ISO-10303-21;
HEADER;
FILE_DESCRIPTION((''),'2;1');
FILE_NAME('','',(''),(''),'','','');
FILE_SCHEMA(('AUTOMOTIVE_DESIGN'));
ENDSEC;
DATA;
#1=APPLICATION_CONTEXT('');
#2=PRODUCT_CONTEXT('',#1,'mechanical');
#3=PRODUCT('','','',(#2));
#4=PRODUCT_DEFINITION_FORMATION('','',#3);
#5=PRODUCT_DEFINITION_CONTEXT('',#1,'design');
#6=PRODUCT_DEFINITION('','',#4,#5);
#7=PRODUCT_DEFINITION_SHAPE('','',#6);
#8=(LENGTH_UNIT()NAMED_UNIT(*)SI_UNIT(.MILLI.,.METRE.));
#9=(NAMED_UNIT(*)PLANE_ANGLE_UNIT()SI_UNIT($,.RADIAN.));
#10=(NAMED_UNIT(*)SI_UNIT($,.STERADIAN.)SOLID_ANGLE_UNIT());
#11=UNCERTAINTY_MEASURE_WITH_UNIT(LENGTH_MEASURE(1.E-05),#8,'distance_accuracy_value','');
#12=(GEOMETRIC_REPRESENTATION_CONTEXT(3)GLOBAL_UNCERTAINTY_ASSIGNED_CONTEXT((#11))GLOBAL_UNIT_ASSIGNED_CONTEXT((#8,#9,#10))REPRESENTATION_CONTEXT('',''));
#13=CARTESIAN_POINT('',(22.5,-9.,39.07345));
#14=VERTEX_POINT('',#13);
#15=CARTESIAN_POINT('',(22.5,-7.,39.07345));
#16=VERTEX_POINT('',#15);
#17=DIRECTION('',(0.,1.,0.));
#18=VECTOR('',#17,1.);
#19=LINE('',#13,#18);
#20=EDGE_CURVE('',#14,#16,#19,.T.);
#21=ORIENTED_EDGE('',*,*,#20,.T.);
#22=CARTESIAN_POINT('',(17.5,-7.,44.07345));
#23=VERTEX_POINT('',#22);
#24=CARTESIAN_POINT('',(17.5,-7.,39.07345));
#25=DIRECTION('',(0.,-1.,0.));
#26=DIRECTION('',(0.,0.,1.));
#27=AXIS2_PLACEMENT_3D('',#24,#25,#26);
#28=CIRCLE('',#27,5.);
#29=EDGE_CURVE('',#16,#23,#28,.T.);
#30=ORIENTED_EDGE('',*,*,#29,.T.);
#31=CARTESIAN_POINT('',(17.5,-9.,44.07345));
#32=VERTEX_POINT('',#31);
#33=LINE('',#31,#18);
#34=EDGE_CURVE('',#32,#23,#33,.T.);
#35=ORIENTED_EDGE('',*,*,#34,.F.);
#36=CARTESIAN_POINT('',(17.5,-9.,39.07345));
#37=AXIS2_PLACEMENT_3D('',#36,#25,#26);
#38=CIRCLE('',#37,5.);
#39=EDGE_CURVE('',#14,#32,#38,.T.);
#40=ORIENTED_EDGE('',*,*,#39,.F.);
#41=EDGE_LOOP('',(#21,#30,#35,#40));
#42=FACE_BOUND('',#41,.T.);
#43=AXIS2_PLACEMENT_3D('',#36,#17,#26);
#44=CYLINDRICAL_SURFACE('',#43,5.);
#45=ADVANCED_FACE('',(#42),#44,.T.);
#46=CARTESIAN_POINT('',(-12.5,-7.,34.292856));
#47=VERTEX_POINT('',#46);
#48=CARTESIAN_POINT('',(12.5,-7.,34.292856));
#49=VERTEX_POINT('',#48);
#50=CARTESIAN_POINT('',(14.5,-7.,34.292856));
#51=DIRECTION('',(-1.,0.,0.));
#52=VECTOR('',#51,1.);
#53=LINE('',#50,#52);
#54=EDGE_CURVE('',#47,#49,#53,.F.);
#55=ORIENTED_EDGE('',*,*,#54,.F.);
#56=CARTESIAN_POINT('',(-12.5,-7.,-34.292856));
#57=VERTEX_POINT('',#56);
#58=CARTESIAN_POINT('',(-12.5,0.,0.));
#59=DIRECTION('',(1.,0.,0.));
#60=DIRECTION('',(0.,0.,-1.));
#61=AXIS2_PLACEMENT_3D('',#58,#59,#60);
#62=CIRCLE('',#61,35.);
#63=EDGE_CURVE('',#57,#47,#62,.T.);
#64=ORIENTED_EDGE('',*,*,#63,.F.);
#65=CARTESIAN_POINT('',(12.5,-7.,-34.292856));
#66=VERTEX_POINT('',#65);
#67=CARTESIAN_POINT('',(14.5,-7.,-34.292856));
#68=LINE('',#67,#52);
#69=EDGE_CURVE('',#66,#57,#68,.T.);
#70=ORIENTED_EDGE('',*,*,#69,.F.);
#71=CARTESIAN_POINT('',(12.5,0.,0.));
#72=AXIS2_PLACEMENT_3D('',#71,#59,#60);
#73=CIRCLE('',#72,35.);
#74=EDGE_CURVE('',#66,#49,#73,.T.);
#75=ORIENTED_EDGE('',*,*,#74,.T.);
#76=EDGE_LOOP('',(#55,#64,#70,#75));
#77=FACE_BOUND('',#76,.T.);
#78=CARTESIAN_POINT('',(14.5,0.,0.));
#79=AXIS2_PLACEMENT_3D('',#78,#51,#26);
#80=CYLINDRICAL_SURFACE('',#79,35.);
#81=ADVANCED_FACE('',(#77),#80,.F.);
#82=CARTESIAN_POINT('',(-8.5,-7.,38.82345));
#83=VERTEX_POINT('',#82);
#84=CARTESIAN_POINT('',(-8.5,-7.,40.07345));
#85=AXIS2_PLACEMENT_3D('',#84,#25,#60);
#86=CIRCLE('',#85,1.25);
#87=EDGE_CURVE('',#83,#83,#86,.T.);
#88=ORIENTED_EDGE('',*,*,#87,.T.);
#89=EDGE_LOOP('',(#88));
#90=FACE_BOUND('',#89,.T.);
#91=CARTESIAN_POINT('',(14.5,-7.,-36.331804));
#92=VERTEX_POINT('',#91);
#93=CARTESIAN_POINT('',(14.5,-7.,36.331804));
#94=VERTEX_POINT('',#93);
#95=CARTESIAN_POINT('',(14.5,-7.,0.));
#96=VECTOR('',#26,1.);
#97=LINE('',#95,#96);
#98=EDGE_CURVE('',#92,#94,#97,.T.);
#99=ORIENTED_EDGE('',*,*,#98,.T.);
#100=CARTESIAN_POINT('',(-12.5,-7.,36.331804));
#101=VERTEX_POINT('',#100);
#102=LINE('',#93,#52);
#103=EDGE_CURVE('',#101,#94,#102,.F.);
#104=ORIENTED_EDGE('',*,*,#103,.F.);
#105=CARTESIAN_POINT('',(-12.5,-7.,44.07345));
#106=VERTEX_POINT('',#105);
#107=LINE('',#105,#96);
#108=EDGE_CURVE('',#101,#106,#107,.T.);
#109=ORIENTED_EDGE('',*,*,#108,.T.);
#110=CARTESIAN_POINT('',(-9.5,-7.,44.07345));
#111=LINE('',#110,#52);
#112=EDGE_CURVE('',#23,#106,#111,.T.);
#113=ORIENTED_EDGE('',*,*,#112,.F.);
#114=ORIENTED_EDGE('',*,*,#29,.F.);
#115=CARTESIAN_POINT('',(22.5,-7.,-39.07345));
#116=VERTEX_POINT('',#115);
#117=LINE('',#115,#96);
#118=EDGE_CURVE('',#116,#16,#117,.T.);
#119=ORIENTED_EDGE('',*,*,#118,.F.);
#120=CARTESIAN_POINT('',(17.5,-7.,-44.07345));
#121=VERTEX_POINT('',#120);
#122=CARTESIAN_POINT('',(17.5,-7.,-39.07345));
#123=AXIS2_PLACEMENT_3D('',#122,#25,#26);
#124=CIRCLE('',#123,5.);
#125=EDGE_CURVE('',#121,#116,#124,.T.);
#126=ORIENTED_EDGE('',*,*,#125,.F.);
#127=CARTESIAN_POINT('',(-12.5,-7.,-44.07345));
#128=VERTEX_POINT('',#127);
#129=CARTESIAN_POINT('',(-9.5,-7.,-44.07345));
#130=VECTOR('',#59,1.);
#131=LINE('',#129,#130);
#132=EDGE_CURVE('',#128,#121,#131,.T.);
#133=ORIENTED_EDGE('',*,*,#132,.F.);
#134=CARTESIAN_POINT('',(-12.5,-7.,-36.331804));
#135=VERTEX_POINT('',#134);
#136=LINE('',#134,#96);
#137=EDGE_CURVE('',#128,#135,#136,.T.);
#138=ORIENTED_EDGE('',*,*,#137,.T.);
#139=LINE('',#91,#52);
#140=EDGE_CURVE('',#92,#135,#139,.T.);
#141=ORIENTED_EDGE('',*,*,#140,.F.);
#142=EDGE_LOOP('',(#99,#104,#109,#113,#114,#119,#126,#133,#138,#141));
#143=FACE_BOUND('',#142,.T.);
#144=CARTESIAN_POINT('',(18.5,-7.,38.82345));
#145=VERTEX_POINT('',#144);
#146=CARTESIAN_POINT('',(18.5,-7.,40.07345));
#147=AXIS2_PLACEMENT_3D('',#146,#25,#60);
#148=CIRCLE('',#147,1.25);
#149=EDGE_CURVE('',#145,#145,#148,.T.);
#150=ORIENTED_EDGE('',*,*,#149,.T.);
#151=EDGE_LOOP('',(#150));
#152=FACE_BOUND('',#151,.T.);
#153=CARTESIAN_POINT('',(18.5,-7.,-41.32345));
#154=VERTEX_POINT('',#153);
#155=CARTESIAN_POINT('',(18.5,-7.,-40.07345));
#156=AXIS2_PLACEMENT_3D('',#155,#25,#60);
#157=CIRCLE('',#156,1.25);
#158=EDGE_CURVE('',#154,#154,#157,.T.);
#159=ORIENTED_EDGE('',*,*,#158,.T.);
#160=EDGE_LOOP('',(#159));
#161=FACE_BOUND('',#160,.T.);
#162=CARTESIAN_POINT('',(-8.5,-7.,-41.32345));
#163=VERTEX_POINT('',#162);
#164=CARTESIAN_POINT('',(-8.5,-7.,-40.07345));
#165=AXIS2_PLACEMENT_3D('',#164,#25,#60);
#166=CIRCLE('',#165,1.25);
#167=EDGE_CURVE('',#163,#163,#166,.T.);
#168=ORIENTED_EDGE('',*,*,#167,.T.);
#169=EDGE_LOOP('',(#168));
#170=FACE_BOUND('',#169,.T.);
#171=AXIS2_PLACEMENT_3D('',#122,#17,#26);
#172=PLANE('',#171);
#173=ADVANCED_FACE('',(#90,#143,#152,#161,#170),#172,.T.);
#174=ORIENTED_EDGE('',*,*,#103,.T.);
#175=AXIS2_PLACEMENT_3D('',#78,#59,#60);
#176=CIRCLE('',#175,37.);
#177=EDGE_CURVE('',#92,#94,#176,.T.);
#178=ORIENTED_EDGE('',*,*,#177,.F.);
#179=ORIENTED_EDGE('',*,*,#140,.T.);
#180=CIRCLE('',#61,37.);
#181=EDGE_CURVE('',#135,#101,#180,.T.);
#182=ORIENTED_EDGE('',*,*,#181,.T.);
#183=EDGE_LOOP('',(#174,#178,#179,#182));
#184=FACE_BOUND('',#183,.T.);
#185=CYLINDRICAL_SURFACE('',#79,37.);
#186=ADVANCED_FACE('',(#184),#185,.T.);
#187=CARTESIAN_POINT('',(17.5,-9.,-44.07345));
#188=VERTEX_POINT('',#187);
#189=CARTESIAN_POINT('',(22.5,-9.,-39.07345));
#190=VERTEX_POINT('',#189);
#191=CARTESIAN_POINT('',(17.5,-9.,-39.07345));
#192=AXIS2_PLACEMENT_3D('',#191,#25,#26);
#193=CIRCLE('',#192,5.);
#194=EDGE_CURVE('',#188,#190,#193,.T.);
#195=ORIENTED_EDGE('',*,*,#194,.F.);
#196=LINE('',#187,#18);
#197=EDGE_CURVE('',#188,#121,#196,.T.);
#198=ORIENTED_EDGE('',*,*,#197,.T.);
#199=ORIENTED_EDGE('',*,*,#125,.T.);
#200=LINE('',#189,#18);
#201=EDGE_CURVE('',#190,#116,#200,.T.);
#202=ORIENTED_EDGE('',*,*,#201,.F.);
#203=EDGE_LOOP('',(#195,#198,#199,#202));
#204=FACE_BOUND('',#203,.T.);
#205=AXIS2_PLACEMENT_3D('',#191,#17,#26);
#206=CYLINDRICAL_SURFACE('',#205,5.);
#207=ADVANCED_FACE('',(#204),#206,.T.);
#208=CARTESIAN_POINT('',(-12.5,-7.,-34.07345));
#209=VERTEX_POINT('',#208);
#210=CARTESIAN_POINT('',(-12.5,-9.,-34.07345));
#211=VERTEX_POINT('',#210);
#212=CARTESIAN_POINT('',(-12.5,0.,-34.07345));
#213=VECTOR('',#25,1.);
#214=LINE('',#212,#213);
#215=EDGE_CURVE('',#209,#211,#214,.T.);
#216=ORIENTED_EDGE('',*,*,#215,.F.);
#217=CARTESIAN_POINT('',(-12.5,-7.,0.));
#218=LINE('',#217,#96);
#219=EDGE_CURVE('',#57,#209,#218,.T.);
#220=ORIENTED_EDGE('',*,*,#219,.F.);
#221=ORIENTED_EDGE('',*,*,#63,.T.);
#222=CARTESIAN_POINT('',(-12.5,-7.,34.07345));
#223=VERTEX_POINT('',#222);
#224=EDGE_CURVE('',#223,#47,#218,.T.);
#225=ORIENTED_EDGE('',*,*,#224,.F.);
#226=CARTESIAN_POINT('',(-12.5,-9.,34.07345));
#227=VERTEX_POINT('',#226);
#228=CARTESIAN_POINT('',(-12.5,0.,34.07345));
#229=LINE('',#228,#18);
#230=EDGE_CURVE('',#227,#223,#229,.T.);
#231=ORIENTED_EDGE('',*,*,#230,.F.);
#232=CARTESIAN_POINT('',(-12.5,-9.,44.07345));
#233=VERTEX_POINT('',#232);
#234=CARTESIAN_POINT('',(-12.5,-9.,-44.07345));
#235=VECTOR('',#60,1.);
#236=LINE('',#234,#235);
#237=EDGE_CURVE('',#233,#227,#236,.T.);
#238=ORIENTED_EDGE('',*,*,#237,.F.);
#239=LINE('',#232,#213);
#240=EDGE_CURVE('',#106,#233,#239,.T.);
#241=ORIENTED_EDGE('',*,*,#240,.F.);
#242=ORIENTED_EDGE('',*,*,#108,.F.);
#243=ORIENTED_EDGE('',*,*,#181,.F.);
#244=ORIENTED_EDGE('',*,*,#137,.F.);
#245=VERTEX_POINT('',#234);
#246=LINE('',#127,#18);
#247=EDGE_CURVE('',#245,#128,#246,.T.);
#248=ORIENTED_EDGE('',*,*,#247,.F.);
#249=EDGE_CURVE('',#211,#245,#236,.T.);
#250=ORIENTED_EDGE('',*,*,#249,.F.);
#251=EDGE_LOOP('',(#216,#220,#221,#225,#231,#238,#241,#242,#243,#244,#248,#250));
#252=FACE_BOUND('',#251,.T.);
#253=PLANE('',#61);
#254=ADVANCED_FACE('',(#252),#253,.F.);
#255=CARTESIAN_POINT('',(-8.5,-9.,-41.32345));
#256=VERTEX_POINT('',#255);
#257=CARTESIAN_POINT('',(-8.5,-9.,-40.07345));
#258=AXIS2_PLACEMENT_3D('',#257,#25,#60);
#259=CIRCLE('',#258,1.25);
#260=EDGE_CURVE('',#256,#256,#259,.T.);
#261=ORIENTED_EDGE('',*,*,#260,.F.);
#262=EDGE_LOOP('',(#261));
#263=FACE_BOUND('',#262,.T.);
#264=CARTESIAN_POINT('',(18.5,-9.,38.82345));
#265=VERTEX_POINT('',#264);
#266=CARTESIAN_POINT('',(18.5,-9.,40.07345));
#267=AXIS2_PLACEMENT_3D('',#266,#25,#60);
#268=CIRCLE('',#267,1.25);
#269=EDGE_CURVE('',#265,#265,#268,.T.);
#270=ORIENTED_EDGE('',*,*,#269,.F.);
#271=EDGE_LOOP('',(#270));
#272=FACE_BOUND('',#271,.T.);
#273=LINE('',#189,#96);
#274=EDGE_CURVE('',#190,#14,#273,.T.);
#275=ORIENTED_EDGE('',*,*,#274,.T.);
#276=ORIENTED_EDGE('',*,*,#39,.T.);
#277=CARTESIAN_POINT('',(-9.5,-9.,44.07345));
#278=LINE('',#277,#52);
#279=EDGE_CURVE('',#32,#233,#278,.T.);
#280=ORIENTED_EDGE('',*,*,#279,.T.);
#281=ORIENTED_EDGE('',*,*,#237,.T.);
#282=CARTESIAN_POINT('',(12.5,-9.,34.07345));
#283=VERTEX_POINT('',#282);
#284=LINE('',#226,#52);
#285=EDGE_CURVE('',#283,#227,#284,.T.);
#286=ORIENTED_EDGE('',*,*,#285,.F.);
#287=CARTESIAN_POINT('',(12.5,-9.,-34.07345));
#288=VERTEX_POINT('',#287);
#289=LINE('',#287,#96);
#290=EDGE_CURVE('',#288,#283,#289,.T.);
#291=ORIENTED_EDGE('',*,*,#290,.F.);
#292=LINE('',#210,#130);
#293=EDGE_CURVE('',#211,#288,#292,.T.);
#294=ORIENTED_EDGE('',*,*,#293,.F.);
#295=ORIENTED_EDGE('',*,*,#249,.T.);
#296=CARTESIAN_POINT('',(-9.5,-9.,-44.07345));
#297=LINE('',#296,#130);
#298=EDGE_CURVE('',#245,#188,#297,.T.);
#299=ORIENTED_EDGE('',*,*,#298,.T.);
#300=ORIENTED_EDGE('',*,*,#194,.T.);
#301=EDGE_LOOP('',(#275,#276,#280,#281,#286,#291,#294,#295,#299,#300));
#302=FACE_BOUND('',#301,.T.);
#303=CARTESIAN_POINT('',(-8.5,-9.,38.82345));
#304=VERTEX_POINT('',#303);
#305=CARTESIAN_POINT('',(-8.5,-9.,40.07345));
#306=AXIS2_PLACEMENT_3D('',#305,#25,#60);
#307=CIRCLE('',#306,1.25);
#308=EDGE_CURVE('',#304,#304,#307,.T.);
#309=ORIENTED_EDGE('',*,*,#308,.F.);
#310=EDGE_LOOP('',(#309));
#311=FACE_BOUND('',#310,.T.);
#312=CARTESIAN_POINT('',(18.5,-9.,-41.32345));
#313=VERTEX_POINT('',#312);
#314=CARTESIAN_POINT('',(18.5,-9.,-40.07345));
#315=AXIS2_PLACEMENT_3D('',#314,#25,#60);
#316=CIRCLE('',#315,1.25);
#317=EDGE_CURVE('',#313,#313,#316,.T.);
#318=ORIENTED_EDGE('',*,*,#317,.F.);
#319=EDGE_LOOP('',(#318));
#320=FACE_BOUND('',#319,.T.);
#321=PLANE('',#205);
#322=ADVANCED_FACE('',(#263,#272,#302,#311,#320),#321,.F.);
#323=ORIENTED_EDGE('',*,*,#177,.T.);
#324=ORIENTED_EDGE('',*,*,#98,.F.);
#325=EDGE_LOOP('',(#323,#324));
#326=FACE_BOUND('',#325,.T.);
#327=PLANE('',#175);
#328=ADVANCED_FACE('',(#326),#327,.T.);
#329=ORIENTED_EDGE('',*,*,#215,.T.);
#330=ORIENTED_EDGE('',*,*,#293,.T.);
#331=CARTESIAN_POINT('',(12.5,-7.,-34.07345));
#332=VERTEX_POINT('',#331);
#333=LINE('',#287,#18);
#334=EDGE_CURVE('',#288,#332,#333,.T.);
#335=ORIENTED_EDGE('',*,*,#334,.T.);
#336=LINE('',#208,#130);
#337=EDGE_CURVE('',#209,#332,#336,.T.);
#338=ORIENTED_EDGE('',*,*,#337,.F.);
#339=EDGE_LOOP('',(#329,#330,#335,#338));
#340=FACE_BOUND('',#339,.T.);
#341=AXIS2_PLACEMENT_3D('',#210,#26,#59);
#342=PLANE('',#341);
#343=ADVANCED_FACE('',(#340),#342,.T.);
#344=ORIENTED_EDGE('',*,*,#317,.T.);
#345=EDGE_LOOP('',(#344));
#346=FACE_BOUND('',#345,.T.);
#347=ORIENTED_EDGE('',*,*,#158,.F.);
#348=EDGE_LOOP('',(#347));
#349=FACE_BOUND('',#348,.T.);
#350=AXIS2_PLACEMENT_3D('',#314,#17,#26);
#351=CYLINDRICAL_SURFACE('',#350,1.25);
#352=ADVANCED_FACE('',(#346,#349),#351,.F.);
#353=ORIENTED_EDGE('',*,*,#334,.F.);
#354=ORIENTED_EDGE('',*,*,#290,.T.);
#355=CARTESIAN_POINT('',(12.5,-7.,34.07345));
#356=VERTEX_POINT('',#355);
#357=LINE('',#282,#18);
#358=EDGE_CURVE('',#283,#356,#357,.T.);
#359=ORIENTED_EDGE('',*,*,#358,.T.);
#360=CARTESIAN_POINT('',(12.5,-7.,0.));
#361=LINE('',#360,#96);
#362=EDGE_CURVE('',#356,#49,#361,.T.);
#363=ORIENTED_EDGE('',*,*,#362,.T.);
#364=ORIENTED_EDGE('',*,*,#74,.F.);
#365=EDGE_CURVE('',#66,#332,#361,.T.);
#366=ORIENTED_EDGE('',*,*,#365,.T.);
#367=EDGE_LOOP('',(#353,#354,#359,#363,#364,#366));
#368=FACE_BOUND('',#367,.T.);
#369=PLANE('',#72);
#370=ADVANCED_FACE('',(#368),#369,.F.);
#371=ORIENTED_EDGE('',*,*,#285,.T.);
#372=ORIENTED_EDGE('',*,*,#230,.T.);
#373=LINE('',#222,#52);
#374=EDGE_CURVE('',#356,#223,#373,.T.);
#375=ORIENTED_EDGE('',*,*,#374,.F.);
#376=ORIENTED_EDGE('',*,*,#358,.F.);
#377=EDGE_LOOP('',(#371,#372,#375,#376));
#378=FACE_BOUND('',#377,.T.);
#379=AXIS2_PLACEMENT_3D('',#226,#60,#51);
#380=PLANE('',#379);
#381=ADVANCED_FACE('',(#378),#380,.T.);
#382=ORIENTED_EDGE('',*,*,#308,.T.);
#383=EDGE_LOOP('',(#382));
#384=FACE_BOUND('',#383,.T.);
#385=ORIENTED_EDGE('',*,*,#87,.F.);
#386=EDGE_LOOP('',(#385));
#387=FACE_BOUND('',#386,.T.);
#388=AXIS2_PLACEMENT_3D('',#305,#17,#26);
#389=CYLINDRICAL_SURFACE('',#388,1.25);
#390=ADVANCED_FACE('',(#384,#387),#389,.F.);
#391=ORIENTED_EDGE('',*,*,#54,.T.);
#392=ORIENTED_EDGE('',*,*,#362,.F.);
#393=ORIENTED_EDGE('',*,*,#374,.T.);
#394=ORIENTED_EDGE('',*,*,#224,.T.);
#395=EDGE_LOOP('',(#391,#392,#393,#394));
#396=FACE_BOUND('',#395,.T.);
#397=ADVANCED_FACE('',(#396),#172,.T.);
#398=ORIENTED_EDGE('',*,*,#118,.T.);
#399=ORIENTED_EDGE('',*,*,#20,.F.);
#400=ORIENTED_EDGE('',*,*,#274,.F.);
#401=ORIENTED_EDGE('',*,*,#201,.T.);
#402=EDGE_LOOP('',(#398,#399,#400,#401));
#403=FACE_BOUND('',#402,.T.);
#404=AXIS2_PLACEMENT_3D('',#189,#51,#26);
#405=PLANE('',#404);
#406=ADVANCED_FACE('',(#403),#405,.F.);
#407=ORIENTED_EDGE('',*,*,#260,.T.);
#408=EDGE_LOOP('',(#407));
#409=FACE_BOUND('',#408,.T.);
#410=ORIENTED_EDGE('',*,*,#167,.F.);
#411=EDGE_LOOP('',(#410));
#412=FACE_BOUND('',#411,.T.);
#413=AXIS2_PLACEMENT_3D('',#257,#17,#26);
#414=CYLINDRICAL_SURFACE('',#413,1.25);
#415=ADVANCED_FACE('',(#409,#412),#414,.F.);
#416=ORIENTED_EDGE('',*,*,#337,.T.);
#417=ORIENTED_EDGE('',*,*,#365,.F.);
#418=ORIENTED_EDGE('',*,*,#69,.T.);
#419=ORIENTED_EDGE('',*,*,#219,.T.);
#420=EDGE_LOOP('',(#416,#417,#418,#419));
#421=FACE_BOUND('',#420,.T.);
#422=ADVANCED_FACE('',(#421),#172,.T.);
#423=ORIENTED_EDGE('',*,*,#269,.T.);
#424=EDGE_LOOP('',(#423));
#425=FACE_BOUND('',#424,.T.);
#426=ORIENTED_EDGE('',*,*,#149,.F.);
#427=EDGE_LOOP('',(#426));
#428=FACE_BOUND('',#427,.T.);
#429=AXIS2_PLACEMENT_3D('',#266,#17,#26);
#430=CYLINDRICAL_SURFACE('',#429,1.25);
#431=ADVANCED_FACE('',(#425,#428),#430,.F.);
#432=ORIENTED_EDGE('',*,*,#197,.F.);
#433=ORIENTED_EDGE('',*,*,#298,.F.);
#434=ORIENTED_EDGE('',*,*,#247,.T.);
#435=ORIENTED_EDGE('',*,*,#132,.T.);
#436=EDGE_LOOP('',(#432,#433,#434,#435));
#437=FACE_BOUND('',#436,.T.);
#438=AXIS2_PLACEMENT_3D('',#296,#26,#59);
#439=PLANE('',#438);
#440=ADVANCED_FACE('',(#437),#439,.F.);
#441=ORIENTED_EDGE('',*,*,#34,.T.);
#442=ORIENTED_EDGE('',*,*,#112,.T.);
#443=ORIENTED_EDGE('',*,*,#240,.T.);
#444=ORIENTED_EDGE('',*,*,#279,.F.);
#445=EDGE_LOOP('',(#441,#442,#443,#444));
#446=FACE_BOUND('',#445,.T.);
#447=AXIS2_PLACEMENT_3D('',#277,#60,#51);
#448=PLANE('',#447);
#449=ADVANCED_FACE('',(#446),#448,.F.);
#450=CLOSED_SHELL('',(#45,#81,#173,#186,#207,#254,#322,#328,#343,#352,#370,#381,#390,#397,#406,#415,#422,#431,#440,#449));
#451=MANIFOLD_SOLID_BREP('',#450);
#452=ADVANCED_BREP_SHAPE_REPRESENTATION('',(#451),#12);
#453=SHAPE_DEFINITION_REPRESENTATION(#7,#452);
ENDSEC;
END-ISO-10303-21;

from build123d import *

# Parameters (mm, degrees)
BOSS_EXTRUDE1_DEPTH = 14.5
SHELL1_T            = -2
SKETCH3_R           = 1.25
SKETCH3_W           = 25
SKETCH3_H           = 68.14690015
BOSS_EXTRUDE2_DEPTH = 1
CUT_EXTRUDE1_DEPTH  = 2


with BuildPart() as part:
    # Sketch1 → Boss-Extrude1 (new body, symmetric)
    with BuildSketch(Plane(origin=(0, 0, 0), x_dir=(0, 0, -1), z_dir=(1, 0, 0))):
        with BuildLine():
            Line((-36.124783736, -8), (36.124783736, -8))
            ThreePointArc((36.124783736, -8), (0, 37), (-36.124783736, -8))
        make_face()
    extrude(amount=BOSS_EXTRUDE1_DEPTH, both=True)

    # Shell1
    shell1_openings = [part.faces().sort_by_distance(p)[0] for p in [
        (0, -8, 0),
    ]]
    offset(amount=SHELL1_T, openings=shell1_openings)

    # Sketch3 → Boss-Extrude2 (add, symmetric)
    with BuildSketch(Plane.XZ.offset(8)):
        with BuildLine():
            Line((-9.5, 44.073450075), (17.5, 44.073450075))
            ThreePointArc((17.5, 44.073450075), (21.035533906, 42.608983981), (22.5, 39.073450075))
            Line((22.5, 39.073450075), (22.5, -39.073450075))
            ThreePointArc((22.5, -39.073450075), (21.035533906, -42.608983981), (17.5, -44.073450075))
            Line((17.5, -44.073450075), (-9.5, -44.073450075))
            Line((-9.5, -44.073450075), (-14.5, -44.073450075))
            Line((-14.5, -44.073450075), (-14.5, -39.073450075))
            Line((-14.5, -39.073450075), (-14.5, 39.073450075))
            Line((-14.5, 39.073450075), (-14.5, 44.073450075))
            Line((-14.5, 44.073450075), (-9.5, 44.073450075))
        make_face()
        with Locations((18.5, 40.073450075)):
            Circle(SKETCH3_R, mode=Mode.SUBTRACT)
        with Locations((-8.5, 40.073450075)):
            Circle(SKETCH3_R, mode=Mode.SUBTRACT)
        with Locations((18.5, -40.073450075)):
            Circle(SKETCH3_R, mode=Mode.SUBTRACT)
        with Locations((-8.5, -40.073450075)):
            Circle(SKETCH3_R, mode=Mode.SUBTRACT)
        Rectangle(SKETCH3_W, SKETCH3_H, mode=Mode.SUBTRACT)
    extrude(amount=BOSS_EXTRUDE2_DEPTH, both=True)

    # Sketch4 → Cut-Extrude1 (cut)
    with BuildSketch(Plane(origin=(-12.5, 0, 0), x_dir=(0, 0, -1), z_dir=(1, 0, 0))):
        with BuildLine():
            Line((-44.073450075, -7), (-36.331804249, -7))
            ThreePointArc((-36.331804249, -7), (0, 37), (36.331804249, -7))
            Line((36.331804249, -7), (44.073450075, -7))
            Line((44.073450075, -7), (44.073450075, -9))
            Line((44.073450075, -9), (-44.073450075, -9))
            Line((-44.073450075, -9), (-44.073450075, -7))
        make_face()
    extrude(amount=-CUT_EXTRUDE1_DEPTH, mode=Mode.SUBTRACT)


solid = part.part
